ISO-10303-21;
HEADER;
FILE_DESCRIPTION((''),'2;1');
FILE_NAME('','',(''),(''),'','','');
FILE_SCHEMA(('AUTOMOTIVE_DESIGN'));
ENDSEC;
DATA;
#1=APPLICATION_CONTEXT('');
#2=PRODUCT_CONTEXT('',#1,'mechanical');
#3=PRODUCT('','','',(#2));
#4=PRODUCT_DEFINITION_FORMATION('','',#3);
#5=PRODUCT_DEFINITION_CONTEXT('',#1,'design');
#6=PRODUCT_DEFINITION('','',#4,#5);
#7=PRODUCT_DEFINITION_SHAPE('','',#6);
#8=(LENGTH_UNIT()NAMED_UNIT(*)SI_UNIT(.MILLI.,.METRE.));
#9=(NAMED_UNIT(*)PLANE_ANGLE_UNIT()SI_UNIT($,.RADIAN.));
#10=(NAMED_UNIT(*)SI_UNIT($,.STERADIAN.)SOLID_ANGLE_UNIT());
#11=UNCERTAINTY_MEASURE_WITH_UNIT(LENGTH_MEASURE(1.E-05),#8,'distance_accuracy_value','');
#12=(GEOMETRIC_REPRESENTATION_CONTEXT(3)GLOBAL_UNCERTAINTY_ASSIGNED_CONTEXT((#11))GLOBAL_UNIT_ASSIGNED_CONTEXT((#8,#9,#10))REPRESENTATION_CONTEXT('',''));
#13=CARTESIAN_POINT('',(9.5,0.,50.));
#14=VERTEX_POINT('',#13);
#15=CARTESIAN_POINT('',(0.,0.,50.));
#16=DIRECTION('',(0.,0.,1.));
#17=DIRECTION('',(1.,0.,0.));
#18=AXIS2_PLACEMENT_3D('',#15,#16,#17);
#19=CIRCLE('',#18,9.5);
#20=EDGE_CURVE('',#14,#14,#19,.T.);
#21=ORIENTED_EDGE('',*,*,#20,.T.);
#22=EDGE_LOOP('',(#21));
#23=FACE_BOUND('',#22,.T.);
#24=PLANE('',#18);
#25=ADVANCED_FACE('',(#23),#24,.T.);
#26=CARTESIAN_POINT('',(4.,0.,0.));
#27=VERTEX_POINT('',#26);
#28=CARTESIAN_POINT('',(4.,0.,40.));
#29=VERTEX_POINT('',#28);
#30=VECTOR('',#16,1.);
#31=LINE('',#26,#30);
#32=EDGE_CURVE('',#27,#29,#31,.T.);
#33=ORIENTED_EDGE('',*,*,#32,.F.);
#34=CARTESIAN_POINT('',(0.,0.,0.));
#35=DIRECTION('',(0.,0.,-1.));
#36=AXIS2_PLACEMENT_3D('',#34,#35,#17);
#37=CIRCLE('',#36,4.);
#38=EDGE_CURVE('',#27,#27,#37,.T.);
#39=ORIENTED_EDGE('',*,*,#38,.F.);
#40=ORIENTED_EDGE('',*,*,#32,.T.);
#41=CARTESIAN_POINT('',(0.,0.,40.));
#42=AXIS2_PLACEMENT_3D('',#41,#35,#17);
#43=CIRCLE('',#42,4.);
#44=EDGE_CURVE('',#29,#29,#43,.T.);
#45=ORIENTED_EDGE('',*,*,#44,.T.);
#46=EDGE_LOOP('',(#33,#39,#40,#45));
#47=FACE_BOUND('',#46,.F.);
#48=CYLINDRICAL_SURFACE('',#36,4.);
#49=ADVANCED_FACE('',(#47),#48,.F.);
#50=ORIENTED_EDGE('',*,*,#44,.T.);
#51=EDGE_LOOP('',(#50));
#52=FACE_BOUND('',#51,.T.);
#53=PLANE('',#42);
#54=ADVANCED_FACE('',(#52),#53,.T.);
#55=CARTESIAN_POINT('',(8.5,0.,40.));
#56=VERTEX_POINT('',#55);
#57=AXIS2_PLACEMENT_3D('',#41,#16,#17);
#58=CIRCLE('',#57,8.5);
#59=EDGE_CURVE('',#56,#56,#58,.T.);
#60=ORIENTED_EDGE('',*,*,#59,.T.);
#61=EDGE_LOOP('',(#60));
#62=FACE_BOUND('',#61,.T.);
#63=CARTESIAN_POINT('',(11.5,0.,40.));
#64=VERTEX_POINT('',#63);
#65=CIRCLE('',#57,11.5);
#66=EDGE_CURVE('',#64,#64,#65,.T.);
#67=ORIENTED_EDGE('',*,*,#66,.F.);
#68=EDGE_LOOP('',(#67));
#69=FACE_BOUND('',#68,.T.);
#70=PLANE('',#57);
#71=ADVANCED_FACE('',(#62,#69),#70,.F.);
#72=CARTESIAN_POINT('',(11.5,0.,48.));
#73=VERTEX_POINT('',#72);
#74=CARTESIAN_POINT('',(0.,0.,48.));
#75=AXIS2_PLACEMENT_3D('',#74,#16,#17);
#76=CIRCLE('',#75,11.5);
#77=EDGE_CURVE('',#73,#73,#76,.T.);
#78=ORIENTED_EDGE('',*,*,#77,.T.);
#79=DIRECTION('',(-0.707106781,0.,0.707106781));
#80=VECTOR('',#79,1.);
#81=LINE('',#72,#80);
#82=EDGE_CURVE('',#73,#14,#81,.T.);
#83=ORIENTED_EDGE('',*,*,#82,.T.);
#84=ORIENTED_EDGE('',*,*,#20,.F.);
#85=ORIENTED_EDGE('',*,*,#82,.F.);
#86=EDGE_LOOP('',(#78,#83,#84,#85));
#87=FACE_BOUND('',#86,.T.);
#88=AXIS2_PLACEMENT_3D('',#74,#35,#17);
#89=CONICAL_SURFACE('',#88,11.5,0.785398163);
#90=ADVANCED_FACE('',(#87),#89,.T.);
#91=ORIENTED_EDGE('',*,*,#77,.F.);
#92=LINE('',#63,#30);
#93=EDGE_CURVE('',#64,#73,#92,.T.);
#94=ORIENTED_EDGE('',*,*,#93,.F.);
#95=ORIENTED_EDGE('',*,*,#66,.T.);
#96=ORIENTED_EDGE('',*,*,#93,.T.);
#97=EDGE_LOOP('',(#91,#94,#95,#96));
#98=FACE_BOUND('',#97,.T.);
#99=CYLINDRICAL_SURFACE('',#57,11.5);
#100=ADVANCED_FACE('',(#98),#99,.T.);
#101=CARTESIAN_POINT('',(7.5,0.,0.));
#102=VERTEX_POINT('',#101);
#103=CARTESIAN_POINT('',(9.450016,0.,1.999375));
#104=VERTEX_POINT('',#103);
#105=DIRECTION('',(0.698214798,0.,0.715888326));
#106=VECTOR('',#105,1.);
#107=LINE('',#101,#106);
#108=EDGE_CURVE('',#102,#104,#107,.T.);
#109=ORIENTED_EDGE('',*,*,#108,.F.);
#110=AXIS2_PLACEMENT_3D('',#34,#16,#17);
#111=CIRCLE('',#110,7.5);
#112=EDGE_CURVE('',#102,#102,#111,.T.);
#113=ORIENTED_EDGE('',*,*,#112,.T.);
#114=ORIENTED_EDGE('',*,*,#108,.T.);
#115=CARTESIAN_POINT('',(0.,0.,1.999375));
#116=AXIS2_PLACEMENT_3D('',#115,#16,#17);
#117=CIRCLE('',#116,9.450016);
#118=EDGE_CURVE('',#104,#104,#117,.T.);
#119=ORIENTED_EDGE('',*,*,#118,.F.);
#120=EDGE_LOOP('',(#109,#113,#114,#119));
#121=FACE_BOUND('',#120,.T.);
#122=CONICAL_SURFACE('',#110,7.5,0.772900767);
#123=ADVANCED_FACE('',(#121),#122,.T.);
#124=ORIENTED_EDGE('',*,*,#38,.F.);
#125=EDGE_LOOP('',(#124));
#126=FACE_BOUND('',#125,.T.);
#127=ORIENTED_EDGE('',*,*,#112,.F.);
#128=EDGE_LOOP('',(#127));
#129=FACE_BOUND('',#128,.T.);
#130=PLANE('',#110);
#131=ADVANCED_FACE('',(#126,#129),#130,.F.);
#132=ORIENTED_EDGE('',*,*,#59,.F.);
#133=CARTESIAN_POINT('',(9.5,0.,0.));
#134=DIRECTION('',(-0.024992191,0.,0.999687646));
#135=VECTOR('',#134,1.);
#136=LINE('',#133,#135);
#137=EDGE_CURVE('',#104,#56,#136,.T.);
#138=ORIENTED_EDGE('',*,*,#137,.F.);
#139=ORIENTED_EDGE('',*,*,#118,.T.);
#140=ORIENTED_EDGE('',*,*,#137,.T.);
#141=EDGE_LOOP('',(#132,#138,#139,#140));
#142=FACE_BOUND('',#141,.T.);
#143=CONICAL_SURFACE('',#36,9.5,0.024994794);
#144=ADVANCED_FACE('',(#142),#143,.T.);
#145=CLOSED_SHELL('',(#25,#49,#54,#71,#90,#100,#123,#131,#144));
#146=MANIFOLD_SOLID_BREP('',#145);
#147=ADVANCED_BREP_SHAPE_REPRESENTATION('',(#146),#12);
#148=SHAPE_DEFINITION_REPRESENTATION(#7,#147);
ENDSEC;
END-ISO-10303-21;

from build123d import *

# Parameters (mm, degrees)
F2_SIZE  = 2
F3_SIZE  = 2
F4_R     = 4
F5_DEPTH = 40


with BuildPart() as f1:
    # F0 (on Front) → F1 (revolve)
    with BuildSketch(Plane.XZ):
        Polygon((0, 40), (0, 0), (9.5, 0), (8.5, 40), (11.5, 40), (11.5, 50), (8.5, 50), (0, 50), align=None)
    revolve(axis=Axis((0, 0, 45), (0, 0, 1)))

    # F2
    f2_edges = [f1.edges().sort_by_distance(p)[0] for p in [
        (-9.5, 0, 0),
    ]]
    chamfer(f2_edges, length=F2_SIZE)

    # F3
    f3_edges = [f1.edges().sort_by_distance(p)[0] for p in [
        (-11.5, 0, 50),
    ]]
    chamfer(f3_edges, length=F3_SIZE)

    # F4 (on face) → F5 (cut, through all)
    with BuildSketch(Plane(origin=(0, 0, 0), x_dir=(1, 0, 0), z_dir=(0, 0, -1))):
        Circle(F4_R)
    extrude(amount=-F5_DEPTH, mode=Mode.SUBTRACT)


solid = f1.part
